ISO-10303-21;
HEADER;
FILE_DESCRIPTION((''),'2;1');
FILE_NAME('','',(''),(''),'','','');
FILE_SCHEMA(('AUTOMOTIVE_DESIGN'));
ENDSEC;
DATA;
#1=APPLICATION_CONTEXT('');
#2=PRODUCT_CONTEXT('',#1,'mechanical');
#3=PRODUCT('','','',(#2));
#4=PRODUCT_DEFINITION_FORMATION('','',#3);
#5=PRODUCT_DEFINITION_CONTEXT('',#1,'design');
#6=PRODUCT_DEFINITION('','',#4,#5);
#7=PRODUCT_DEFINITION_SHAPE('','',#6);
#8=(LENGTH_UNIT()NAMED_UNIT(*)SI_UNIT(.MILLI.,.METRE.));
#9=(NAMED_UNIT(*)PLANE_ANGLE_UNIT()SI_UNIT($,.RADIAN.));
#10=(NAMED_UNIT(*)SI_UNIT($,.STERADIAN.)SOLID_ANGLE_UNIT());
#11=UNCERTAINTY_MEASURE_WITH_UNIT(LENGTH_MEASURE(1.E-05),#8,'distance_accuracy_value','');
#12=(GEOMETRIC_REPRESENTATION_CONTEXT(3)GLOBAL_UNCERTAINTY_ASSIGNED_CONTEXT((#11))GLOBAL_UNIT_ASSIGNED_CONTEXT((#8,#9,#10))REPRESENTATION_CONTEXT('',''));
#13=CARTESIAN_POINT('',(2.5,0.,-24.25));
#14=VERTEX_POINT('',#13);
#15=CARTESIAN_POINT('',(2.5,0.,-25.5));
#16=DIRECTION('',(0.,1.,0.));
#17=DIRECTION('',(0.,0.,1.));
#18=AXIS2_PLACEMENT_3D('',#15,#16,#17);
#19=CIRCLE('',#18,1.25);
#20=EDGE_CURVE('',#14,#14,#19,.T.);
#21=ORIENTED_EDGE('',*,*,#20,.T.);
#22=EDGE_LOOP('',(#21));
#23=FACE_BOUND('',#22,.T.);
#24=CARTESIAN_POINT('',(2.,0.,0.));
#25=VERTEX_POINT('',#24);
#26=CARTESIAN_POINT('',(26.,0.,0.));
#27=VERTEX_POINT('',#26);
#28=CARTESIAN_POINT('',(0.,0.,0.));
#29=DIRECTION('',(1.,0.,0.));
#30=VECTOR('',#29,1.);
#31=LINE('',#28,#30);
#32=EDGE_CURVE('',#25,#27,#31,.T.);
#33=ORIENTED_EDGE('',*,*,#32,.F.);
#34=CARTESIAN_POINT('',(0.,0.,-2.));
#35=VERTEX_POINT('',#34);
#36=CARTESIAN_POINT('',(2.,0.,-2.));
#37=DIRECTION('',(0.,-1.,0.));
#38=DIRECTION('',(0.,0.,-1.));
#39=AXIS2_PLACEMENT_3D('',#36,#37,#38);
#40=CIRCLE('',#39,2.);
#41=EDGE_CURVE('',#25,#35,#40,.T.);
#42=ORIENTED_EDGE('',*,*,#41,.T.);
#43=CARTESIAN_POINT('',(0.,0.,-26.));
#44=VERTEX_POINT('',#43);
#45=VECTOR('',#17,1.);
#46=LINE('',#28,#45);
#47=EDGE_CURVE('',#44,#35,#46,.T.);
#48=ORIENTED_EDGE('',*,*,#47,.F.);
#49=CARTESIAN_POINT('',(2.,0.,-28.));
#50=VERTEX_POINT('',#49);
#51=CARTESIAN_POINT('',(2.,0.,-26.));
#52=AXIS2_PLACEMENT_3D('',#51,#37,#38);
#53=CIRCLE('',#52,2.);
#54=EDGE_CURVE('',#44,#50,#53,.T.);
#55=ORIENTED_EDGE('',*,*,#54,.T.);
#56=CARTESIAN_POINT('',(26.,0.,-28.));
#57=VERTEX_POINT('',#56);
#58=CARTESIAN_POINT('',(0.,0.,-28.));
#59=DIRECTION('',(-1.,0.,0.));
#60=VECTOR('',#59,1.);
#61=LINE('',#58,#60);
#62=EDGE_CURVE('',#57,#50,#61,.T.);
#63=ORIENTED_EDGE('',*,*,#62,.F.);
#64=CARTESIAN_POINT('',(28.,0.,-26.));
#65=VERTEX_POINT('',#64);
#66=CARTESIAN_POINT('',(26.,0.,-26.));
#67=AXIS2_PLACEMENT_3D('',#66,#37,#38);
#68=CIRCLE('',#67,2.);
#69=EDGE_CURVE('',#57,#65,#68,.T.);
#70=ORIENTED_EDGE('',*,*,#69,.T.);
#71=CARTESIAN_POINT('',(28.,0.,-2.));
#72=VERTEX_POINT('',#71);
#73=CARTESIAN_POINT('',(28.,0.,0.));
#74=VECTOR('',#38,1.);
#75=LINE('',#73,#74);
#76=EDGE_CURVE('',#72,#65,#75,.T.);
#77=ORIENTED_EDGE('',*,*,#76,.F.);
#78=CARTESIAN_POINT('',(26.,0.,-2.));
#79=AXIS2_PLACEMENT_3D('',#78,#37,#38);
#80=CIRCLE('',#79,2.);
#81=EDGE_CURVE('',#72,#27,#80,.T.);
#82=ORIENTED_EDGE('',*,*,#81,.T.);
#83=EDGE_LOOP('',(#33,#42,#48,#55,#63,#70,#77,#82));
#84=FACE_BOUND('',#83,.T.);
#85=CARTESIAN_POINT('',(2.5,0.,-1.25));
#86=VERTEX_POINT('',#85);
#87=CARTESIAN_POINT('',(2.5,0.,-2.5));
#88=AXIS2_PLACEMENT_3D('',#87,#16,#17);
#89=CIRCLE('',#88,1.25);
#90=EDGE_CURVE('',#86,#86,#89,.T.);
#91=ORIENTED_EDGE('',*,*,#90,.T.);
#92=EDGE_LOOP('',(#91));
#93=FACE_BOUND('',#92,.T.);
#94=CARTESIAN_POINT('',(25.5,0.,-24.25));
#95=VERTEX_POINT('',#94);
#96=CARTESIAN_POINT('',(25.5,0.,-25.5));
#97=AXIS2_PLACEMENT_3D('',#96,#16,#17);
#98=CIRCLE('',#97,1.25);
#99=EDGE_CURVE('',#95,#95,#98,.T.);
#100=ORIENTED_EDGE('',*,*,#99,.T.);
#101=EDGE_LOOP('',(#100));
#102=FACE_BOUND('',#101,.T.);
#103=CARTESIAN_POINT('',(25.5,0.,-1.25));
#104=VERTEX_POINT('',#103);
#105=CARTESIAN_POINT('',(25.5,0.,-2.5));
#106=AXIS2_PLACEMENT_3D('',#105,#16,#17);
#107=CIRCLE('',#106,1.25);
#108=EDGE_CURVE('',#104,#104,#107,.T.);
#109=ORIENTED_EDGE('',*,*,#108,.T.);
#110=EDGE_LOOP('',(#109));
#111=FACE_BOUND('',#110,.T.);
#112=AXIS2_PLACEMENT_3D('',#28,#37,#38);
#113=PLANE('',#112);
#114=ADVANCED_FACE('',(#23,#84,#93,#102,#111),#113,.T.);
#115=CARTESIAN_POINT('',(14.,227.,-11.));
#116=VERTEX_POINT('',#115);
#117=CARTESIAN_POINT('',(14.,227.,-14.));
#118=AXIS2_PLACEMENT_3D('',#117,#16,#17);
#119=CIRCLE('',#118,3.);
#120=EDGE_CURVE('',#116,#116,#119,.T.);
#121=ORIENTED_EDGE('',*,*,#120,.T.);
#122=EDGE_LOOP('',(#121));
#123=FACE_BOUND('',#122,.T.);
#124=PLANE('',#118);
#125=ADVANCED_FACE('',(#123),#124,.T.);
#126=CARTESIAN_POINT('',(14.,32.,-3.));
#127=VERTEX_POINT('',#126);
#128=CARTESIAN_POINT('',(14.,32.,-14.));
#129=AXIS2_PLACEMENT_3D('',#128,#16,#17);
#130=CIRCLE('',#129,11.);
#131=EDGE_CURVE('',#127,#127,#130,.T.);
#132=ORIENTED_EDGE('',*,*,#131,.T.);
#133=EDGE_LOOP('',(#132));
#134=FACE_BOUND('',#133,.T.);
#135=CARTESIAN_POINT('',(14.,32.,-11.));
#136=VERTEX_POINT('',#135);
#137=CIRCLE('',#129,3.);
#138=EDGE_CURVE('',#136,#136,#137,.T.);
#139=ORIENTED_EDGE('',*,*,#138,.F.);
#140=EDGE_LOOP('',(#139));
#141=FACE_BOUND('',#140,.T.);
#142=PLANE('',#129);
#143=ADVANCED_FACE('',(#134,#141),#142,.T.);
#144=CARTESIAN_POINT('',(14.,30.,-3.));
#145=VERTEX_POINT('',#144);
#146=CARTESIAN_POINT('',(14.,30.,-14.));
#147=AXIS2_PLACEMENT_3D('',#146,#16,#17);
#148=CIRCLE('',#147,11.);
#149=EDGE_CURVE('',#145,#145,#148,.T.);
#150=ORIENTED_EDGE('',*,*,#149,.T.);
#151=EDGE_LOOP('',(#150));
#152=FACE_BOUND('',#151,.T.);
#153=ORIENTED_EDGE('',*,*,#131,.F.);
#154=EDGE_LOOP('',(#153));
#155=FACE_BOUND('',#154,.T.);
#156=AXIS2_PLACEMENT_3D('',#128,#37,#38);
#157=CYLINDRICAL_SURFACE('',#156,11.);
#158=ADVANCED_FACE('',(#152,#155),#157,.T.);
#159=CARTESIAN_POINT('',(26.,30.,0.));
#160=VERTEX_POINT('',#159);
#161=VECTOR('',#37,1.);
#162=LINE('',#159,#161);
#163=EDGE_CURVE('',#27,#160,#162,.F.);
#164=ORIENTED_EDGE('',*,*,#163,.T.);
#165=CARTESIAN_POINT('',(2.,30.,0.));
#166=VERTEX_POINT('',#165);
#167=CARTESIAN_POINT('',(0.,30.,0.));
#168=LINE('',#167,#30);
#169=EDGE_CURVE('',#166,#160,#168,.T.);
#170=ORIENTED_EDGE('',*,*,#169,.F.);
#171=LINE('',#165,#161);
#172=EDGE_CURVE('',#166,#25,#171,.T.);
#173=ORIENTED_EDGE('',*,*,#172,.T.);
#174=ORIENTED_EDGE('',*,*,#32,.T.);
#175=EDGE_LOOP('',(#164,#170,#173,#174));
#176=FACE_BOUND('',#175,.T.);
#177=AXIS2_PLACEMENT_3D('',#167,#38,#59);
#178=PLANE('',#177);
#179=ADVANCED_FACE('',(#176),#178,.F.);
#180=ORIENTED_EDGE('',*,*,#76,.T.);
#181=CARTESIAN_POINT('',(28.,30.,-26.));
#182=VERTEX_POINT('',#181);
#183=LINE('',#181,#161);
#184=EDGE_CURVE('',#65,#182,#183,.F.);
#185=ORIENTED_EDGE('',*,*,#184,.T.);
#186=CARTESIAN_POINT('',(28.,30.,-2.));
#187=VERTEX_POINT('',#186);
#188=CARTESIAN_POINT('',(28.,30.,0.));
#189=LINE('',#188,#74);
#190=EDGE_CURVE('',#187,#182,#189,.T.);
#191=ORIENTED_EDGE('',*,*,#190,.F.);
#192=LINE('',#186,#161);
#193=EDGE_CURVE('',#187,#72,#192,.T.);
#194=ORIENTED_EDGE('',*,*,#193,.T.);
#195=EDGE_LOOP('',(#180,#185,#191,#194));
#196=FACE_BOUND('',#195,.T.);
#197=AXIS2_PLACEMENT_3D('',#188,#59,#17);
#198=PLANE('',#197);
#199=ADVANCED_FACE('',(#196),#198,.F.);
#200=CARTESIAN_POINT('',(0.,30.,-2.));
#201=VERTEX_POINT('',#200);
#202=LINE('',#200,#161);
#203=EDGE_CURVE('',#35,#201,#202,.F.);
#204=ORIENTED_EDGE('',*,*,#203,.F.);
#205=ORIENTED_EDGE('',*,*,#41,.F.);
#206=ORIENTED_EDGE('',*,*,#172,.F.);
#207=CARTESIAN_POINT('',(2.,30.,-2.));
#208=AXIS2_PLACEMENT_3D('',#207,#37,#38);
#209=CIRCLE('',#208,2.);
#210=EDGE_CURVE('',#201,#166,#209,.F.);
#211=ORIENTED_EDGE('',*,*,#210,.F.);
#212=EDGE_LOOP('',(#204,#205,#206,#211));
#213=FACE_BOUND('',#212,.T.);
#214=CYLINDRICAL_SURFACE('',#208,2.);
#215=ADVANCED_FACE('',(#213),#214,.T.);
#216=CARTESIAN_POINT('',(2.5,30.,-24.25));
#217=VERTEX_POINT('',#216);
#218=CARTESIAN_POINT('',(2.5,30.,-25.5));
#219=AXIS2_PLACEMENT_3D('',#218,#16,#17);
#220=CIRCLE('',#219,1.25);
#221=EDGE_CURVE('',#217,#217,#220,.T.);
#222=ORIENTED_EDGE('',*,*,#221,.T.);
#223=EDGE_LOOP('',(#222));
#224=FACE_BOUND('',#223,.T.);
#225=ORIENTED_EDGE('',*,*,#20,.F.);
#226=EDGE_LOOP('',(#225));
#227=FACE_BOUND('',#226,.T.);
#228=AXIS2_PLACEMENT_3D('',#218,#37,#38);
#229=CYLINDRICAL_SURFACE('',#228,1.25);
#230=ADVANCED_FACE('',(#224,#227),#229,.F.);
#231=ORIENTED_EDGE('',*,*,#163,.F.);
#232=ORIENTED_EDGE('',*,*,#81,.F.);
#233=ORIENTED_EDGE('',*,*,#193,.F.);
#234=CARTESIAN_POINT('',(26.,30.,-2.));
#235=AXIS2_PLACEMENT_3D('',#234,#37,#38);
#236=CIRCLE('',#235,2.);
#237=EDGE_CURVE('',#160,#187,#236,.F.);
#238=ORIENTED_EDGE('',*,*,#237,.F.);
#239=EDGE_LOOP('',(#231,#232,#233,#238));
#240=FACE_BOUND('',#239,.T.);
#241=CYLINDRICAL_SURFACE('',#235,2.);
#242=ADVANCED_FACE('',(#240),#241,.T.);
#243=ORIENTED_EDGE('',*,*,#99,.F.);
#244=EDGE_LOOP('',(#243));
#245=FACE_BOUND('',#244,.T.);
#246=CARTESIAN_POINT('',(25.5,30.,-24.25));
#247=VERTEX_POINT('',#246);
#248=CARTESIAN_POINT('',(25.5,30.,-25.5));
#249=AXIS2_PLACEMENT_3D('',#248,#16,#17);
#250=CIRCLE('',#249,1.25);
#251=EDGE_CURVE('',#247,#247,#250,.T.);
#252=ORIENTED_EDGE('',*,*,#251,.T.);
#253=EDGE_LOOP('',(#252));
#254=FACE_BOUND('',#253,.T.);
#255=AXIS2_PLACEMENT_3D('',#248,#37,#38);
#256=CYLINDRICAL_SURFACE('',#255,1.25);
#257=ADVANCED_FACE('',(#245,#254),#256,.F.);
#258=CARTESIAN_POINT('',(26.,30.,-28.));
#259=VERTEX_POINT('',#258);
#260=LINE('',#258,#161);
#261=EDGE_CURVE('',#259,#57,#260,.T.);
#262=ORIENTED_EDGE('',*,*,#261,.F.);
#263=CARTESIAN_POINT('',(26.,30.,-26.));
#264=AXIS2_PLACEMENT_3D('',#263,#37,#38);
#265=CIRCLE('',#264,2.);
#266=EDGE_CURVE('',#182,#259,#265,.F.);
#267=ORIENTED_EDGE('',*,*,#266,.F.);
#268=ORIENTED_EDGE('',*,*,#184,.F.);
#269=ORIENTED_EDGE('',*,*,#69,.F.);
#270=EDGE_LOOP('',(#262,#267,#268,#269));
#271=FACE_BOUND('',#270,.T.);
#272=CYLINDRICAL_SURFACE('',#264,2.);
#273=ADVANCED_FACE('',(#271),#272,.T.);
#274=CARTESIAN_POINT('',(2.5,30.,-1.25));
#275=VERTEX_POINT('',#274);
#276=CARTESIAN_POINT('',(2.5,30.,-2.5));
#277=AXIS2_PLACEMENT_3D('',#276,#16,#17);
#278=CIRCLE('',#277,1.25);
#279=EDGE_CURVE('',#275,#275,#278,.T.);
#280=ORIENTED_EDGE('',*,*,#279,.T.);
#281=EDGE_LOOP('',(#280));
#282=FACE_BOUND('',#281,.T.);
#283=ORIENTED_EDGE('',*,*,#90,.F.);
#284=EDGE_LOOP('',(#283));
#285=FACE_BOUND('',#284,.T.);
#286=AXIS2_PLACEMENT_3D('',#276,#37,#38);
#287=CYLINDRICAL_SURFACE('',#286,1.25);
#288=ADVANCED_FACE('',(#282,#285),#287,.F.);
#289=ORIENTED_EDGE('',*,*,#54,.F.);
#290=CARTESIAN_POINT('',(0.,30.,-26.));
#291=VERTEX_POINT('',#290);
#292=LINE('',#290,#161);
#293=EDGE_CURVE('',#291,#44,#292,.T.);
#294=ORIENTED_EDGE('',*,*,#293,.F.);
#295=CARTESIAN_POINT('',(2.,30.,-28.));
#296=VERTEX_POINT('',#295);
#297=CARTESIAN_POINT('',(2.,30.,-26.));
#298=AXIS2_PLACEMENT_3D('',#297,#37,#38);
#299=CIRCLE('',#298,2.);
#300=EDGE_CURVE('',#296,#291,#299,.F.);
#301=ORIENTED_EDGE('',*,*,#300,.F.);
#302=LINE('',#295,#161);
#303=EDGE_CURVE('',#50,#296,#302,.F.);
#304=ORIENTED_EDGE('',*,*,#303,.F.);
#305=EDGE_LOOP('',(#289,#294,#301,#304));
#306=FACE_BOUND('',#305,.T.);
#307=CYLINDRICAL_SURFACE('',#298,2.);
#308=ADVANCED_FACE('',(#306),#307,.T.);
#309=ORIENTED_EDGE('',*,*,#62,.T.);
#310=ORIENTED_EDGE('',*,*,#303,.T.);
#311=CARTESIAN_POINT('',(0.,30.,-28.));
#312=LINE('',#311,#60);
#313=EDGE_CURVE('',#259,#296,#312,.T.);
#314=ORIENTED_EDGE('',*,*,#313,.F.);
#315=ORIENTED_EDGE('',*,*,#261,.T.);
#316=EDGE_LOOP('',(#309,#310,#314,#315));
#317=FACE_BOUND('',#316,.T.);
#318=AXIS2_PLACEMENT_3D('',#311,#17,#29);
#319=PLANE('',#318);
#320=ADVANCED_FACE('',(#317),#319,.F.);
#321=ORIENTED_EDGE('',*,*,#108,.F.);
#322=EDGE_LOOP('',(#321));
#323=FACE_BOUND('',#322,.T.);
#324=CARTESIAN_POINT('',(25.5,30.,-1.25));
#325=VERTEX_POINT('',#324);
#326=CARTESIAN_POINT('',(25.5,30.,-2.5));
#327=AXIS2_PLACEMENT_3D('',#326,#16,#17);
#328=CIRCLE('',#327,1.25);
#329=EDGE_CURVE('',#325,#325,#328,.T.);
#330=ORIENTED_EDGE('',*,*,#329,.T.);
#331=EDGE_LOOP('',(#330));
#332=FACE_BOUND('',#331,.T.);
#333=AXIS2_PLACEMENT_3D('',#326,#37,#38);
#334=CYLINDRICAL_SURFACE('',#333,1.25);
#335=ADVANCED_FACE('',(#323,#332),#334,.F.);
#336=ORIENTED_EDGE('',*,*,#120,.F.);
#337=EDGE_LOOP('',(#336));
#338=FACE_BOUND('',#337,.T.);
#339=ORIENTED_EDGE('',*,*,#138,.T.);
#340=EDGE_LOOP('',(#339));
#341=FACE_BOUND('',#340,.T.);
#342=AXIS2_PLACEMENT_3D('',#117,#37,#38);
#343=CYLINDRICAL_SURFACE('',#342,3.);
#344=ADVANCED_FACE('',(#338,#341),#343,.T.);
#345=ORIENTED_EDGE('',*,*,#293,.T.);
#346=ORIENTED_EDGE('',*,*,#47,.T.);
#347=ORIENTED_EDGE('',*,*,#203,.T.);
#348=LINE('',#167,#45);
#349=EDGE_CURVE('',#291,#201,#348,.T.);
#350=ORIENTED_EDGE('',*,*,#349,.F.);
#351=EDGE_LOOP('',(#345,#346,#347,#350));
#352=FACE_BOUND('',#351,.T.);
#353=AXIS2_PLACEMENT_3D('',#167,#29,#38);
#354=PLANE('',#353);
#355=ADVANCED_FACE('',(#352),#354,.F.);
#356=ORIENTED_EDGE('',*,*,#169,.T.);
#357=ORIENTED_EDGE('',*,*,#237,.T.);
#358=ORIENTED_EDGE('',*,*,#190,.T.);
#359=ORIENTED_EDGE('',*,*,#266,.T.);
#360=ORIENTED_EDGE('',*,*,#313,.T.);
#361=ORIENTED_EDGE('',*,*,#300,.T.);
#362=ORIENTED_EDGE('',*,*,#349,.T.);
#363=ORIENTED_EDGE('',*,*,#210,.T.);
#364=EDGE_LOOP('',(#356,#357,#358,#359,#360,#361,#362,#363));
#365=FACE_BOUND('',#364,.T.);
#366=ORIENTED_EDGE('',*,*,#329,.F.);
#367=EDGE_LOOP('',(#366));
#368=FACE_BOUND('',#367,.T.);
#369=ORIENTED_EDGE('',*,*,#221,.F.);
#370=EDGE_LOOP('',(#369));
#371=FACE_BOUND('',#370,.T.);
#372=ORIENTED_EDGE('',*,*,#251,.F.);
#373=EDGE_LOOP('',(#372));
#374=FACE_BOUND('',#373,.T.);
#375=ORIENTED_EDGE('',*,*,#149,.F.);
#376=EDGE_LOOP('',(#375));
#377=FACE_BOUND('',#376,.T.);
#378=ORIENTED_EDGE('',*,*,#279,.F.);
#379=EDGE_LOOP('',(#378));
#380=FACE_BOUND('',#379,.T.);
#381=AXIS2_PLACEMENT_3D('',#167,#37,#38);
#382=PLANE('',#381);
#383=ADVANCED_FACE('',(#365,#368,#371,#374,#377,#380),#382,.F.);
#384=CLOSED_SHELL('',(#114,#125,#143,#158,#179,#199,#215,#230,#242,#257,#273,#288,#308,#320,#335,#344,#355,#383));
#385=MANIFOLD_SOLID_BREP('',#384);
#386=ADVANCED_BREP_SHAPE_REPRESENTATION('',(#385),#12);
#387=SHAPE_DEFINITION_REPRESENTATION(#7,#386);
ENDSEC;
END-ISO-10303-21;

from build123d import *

# Parameters (mm, degrees)
SKETCH1_W           = 28
SKETCH1_H           = 28
SKETCH1_R           = 1.25
BOSS_EXTRUDE1_DEPTH = 30
SKETCH2_R           = 11
BOSS_EXTRUDE2_DEPTH = 2
SKETCH3_R           = 3
BOSS_EXTRUDE3_DEPTH = 195
FILLET1_R           = 2


with BuildPart() as part:
    # Sketch1 → Boss-Extrude1 (new body)
    with BuildSketch(Plane(origin=(0, 0, 0), x_dir=(1, 0, 0), z_dir=(0, 1, 0))):
        with Locations((14, 14)):
            Rectangle(SKETCH1_W, SKETCH1_H)
        with Locations((2.5, 25.5)):
            Circle(SKETCH1_R, mode=Mode.SUBTRACT)
        with Locations((2.5, 2.5)):
            Circle(SKETCH1_R, mode=Mode.SUBTRACT)
        with Locations((25.5, 2.5)):
            Circle(SKETCH1_R, mode=Mode.SUBTRACT)
        with Locations((25.5, 25.5)):
            Circle(SKETCH1_R, mode=Mode.SUBTRACT)
    extrude(amount=BOSS_EXTRUDE1_DEPTH)

    # Sketch2 → Boss-Extrude2 (add)
    with BuildSketch(Plane(origin=(0, 30, 0), x_dir=(1, 0, 0), z_dir=(0, 1, 0))):
        with Locations((14, 14)):
            Circle(SKETCH2_R)
    extrude(amount=BOSS_EXTRUDE2_DEPTH)

    # Sketch3 → Boss-Extrude3 (add)
    with BuildSketch(Plane(origin=(0, 32, 0), x_dir=(1, 0, 0), z_dir=(0, 1, 0))):
        with Locations((14, 14)):
            Circle(SKETCH3_R)
    extrude(amount=BOSS_EXTRUDE3_DEPTH)

    # Fillet1
    fillet1_edges = [part.edges().sort_by_distance(p)[0] for p in [
        (0, 15, -28),
        (28, 15, -28),
        (28, 15, 0),
        (0, 15, 0),
    ]]
    fillet(fillet1_edges, radius=FILLET1_R)


solid = part.part
